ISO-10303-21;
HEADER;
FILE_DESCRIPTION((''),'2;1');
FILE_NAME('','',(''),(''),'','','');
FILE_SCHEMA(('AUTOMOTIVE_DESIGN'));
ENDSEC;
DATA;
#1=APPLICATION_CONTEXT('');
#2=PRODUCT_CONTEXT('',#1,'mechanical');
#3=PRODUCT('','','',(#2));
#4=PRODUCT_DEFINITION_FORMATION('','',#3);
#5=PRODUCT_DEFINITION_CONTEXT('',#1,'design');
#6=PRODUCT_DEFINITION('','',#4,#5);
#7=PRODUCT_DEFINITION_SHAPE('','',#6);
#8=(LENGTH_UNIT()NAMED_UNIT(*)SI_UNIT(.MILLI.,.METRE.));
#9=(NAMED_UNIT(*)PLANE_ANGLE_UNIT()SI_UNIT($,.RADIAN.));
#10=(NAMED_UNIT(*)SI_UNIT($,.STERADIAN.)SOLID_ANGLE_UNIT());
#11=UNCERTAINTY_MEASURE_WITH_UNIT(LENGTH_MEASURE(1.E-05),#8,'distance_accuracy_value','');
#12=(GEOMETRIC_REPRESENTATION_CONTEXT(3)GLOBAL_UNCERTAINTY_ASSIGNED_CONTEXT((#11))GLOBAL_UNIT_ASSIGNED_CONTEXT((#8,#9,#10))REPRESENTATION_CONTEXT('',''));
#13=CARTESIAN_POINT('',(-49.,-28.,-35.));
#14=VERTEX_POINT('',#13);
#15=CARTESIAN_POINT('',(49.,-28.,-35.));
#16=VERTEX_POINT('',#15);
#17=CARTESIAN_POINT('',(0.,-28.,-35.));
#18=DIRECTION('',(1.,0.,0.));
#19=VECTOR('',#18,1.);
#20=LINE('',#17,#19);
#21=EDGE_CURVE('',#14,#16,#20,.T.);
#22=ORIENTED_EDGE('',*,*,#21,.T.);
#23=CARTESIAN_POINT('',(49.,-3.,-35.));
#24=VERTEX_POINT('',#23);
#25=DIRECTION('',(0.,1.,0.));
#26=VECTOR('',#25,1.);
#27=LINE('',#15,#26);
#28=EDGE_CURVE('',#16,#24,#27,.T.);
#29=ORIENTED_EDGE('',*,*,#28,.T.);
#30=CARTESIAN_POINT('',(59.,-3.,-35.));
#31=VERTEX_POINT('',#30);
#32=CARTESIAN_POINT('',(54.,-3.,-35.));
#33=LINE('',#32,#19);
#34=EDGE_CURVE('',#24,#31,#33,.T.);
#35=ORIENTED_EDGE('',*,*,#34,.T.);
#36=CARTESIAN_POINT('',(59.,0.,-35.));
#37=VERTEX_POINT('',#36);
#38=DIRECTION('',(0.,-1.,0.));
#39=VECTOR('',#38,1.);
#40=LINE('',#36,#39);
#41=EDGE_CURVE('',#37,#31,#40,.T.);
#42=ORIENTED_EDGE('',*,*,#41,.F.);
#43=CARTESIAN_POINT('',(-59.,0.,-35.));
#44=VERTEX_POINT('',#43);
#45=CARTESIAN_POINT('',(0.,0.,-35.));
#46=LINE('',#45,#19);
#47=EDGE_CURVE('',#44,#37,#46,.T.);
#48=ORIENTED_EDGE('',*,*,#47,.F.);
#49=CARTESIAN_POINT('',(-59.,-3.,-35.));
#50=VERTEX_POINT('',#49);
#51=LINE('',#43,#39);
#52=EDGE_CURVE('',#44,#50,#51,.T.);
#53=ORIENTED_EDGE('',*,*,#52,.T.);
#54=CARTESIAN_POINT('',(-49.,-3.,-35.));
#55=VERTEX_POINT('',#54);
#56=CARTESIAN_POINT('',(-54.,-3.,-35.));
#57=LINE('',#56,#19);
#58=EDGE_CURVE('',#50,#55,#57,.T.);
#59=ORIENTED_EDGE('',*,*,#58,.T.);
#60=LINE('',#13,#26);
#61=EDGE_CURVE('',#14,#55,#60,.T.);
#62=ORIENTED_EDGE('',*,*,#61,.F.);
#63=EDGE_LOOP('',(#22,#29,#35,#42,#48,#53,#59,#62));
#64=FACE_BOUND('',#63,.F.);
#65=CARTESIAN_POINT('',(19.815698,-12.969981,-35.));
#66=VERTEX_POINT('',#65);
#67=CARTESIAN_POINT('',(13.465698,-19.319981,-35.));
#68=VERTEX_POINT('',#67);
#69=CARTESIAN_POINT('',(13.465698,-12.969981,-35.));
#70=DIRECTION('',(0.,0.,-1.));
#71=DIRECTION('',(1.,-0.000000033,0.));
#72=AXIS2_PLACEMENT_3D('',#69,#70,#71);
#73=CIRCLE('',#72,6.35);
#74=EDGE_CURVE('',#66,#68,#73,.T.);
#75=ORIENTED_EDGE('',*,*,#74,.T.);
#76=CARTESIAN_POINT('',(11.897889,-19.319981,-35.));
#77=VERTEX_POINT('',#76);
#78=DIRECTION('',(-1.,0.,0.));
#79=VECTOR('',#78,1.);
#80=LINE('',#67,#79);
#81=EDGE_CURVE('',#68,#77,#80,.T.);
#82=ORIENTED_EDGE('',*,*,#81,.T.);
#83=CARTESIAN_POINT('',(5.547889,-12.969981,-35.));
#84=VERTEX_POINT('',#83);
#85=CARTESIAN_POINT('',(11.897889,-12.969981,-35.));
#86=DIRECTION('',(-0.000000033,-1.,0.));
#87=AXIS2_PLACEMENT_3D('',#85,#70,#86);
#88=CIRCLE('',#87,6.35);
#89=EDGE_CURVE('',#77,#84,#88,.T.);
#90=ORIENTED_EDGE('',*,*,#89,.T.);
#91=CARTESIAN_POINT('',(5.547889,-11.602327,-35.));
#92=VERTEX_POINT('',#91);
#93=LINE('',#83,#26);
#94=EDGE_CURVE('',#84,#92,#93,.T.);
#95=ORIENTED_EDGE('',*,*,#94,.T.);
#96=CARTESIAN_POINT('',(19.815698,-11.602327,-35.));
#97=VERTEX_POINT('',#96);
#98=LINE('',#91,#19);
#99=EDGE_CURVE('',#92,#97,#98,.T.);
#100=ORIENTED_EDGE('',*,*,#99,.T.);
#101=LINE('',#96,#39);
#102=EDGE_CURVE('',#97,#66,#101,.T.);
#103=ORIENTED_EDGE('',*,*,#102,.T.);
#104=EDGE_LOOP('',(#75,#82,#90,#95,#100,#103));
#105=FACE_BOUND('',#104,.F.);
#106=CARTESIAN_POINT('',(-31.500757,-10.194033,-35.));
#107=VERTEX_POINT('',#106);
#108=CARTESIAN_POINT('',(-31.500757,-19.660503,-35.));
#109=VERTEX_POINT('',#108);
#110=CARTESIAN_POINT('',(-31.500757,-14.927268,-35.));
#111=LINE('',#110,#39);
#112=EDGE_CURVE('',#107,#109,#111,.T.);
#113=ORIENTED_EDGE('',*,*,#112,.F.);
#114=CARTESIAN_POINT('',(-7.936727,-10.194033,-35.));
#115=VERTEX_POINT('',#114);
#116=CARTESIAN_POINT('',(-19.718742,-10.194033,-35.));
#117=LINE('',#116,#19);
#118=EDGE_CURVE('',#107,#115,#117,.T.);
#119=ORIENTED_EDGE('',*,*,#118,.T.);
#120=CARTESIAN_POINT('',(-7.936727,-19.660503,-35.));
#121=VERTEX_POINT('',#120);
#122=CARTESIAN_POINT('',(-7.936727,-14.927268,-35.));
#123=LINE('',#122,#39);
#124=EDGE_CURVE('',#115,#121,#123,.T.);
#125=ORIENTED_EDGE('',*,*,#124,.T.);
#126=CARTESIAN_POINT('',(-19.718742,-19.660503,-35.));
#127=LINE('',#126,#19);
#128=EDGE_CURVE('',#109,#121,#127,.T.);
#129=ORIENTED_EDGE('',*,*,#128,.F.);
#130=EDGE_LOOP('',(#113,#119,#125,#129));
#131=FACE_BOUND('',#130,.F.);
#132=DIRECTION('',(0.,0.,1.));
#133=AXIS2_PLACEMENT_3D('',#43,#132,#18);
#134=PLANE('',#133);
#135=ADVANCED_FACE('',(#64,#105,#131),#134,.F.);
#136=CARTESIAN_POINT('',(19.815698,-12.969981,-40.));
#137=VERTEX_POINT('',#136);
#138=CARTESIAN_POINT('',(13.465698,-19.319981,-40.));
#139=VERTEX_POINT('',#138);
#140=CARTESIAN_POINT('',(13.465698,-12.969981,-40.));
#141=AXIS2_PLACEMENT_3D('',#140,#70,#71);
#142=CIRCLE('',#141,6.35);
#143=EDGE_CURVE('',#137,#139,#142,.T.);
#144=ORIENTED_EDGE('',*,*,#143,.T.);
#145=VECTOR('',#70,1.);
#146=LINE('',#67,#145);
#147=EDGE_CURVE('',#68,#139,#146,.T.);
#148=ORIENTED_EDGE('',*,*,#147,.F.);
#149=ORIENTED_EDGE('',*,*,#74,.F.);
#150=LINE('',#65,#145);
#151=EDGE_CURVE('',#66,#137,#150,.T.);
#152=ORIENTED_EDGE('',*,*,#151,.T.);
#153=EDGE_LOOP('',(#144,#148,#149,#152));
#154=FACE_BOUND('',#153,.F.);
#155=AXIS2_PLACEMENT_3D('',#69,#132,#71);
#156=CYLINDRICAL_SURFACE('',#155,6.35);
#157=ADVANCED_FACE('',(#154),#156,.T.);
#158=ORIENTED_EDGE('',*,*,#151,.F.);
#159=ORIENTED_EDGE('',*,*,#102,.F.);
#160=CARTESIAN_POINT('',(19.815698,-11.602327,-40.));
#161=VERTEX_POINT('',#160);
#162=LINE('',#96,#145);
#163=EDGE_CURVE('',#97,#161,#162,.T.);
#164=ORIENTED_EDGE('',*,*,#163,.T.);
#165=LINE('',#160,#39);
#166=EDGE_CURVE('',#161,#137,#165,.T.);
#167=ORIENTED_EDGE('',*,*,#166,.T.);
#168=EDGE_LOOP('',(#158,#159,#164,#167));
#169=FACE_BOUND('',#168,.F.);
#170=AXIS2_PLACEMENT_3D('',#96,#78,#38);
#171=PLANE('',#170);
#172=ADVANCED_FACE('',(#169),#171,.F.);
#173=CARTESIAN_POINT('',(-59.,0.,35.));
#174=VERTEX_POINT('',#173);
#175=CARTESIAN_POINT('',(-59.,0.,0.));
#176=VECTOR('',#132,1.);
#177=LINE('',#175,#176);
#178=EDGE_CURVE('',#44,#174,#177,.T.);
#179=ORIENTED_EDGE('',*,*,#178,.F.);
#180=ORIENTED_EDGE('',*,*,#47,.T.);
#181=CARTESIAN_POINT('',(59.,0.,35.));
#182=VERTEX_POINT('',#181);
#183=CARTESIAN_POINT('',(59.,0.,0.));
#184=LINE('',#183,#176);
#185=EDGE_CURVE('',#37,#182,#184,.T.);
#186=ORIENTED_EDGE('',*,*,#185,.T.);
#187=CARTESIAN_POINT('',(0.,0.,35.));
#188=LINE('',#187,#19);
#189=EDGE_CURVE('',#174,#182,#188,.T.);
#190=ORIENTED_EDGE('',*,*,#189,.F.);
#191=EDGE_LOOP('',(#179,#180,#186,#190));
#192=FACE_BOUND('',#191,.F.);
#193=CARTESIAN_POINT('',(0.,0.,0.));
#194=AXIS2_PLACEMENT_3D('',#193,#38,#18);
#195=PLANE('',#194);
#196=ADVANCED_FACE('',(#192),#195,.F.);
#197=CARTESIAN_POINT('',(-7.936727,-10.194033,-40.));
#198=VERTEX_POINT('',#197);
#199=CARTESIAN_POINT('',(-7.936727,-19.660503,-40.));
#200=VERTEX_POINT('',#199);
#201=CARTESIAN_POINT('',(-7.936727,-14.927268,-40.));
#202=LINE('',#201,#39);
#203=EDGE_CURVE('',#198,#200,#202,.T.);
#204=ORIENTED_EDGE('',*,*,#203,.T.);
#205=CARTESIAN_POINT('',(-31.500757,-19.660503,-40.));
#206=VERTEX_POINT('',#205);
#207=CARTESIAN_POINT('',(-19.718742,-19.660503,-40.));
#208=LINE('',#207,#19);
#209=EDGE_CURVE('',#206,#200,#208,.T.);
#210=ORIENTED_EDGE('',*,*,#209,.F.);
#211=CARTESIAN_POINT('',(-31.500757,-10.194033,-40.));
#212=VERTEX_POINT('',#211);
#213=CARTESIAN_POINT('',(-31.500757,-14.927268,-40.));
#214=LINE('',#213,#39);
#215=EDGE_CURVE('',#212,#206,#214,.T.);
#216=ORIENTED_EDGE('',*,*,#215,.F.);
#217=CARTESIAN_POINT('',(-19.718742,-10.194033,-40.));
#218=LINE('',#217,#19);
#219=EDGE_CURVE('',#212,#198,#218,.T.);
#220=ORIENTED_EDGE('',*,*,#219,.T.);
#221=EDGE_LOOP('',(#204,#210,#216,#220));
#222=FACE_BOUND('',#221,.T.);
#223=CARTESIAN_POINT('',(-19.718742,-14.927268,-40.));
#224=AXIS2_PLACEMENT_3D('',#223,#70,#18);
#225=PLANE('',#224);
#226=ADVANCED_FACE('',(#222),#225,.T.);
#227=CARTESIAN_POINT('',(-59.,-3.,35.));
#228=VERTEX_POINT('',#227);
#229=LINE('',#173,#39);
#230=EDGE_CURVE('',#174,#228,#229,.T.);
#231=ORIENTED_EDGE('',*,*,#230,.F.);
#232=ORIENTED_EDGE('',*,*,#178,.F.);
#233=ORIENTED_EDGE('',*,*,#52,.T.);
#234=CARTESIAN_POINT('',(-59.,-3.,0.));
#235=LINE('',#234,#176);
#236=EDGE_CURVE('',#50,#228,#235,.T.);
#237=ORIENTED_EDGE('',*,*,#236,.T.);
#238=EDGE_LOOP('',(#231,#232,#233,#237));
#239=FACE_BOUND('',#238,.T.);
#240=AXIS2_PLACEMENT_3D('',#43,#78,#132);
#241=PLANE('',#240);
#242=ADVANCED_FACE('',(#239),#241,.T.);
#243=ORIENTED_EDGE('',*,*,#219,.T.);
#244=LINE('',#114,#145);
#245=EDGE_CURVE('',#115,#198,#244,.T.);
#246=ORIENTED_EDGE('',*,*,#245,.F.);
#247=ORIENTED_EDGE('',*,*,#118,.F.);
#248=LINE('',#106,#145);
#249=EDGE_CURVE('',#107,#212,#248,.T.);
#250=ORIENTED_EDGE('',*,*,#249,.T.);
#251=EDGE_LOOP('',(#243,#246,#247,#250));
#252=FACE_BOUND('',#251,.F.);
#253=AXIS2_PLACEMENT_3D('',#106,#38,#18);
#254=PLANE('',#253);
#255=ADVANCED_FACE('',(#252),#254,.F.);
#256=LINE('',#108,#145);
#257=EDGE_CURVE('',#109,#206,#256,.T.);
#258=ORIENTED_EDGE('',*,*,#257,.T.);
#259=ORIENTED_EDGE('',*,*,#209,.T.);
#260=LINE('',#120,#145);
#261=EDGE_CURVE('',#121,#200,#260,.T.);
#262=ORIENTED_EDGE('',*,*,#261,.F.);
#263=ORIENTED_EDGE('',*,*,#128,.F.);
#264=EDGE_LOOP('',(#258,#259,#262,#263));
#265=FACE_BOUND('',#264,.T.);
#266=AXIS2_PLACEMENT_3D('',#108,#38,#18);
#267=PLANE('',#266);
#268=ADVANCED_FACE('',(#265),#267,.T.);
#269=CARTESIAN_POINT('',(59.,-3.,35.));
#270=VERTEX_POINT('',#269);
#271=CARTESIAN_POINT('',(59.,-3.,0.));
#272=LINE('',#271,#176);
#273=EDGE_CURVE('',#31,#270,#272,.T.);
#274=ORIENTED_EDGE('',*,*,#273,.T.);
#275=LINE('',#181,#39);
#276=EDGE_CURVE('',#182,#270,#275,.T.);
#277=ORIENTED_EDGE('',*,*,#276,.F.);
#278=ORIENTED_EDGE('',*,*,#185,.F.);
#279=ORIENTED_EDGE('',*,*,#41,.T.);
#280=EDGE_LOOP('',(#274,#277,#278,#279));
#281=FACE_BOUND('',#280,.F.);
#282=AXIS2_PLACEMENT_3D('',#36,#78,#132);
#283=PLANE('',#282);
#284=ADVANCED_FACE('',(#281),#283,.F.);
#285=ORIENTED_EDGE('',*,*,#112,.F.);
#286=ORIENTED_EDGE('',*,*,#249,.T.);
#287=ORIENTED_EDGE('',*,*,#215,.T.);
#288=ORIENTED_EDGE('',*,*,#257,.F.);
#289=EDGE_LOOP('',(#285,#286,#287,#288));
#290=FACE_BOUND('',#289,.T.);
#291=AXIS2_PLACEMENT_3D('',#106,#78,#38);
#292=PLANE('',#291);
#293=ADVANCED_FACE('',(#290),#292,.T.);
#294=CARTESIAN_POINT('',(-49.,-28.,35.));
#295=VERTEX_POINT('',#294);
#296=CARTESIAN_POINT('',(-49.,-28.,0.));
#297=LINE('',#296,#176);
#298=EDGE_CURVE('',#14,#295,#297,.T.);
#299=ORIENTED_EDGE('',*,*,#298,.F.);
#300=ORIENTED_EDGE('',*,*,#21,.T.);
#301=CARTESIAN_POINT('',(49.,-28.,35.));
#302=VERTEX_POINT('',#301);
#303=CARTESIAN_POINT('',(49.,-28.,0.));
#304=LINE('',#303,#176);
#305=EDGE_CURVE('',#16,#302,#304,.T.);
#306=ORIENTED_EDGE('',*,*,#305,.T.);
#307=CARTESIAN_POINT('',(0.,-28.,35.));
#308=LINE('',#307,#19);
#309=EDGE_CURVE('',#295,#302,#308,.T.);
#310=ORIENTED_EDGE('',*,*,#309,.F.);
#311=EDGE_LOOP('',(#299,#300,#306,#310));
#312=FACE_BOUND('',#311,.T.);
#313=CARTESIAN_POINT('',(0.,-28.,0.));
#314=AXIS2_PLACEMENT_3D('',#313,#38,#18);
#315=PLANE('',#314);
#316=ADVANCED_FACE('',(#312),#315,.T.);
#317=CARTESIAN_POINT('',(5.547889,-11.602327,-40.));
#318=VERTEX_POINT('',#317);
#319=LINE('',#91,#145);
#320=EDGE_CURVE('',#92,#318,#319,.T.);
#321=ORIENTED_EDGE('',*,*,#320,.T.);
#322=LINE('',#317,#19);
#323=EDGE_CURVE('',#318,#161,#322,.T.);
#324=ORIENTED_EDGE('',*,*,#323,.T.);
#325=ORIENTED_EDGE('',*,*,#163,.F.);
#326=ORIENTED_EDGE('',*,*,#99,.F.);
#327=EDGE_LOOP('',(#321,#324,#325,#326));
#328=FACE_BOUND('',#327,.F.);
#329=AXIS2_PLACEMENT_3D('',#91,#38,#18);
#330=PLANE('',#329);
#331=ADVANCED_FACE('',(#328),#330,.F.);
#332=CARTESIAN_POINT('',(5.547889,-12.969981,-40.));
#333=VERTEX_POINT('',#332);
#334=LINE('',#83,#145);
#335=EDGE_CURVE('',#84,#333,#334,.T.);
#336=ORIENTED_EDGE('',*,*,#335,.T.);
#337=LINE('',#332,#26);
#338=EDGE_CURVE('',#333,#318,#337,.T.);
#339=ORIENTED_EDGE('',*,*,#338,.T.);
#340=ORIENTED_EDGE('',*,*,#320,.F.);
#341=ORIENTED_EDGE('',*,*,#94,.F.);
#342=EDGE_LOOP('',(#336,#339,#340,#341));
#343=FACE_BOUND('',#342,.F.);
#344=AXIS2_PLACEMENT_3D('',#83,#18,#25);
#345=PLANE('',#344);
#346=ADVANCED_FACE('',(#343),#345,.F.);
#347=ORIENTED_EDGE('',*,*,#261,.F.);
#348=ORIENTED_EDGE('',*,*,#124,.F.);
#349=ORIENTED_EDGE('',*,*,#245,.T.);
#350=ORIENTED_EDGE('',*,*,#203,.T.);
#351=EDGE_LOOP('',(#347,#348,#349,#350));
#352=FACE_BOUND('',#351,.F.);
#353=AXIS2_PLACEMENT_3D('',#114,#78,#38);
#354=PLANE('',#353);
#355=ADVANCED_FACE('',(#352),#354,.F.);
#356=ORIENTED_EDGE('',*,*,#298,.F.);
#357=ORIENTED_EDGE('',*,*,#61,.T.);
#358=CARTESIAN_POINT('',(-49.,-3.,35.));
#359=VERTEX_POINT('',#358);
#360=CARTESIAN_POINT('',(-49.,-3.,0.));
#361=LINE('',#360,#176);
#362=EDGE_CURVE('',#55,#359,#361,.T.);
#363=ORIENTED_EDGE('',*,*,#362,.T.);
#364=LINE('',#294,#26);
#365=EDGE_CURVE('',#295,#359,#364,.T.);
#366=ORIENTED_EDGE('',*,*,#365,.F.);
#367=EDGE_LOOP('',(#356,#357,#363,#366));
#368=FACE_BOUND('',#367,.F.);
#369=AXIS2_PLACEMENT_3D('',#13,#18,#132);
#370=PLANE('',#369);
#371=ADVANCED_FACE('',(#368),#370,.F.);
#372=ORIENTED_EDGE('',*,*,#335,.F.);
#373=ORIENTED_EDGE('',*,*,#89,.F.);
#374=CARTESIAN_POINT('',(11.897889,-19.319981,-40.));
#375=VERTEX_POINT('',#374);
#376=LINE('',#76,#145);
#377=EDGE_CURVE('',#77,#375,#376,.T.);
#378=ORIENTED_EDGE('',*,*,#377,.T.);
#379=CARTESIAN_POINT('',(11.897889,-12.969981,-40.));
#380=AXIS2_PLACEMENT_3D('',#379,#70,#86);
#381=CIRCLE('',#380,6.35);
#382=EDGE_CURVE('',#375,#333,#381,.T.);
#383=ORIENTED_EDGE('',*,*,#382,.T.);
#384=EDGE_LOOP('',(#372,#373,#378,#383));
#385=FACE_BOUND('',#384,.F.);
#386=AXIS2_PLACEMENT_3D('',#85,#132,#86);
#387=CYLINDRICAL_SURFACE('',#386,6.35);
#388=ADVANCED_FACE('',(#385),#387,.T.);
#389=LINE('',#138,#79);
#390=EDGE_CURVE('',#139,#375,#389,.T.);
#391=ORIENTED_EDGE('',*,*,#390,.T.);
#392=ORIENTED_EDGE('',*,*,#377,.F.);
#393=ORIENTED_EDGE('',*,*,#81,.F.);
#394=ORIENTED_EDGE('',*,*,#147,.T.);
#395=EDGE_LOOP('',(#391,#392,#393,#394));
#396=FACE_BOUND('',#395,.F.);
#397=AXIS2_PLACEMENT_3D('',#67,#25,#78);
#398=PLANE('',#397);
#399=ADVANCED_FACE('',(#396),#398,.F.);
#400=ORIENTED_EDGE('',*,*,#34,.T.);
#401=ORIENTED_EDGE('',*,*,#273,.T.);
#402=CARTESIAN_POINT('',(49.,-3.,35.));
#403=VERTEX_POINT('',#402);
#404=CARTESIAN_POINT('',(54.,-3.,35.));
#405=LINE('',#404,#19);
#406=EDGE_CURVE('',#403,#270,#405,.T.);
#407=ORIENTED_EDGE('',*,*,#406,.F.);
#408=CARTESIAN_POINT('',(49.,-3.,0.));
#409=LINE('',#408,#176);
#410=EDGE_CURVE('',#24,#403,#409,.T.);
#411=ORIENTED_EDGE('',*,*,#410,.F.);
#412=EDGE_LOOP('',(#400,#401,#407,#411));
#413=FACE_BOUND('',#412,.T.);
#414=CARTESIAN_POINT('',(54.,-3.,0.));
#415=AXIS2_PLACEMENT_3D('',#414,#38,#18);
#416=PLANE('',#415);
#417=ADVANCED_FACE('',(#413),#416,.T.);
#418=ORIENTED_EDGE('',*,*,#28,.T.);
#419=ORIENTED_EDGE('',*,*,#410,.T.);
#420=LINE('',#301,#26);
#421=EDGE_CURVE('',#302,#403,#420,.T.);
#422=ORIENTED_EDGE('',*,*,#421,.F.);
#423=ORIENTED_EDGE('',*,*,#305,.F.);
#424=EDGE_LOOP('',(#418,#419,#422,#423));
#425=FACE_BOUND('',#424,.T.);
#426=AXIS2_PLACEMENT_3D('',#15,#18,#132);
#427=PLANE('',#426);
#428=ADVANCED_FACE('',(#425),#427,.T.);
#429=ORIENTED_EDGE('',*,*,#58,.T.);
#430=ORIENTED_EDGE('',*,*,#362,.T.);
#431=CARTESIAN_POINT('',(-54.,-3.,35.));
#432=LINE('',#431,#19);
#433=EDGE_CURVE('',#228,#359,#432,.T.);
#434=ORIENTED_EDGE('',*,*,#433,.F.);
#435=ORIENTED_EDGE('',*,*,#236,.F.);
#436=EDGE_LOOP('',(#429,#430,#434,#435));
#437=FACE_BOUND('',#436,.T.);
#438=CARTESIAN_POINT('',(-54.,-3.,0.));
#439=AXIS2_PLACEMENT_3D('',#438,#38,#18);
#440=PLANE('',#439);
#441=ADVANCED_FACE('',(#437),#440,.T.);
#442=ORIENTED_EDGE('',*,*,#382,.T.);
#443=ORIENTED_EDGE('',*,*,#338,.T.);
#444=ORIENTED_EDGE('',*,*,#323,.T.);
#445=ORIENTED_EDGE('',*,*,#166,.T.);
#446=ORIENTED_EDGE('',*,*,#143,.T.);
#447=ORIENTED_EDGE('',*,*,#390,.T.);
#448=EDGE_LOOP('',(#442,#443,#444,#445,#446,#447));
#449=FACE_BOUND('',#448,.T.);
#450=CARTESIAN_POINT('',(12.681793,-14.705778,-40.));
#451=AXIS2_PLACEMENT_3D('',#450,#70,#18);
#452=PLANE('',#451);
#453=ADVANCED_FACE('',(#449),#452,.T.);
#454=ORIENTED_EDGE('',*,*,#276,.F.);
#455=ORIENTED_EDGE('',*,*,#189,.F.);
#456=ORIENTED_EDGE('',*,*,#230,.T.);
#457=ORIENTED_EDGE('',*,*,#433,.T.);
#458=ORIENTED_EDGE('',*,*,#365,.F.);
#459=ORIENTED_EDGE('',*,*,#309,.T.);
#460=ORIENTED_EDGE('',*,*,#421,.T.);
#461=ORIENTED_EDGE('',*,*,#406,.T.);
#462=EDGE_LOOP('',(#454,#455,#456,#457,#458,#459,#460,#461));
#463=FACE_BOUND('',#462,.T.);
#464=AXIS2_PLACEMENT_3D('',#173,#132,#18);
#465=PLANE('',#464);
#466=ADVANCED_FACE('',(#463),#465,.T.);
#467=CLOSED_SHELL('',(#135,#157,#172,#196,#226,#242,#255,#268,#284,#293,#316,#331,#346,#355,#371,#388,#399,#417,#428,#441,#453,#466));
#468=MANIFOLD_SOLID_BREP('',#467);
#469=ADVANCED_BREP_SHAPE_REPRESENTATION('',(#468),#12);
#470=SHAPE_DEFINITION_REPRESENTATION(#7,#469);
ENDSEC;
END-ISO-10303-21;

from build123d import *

# Parameters (mm, degrees)
F0_W     = 118
F0_H     = 70
F1_DEPTH = 28
F2_W     = 10
F2_H     = 70
F3_DEPTH = 25
F4_W     = 23.56403
F4_H     = 9.46647
F5_DEPTH = 5


with BuildPart() as f1:
    # F0 (on Front) → F1 (new body)
    with BuildSketch(Plane.XZ):
        Rectangle(F0_W, F0_H)
    extrude(amount=F1_DEPTH)

    # F2 (on face) → F3 (cut)
    with BuildSketch(Plane.XZ.offset(28)):
        with Locations((54, 0)):
            Rectangle(F2_W, F2_H)
        with Locations((-54, 0)):
            Rectangle(F2_W, F2_H)
    extrude(amount=-F3_DEPTH, mode=Mode.SUBTRACT)

    # F4 (on face) → F5 (join)
    with BuildSketch(Plane(origin=(0, 0, -35), x_dir=(1, 0, 0), z_dir=(0, 0, -1))):
        with BuildLine():
            Line((13.465698, 19.319981), (11.897889, 19.319981))
            ThreePointArc((11.897889, 19.319981), (7.407761, 17.460109), (5.547889, 12.969981))
            Line((5.547889, 12.969981), (5.547889, 11.602327))
            Line((5.547889, 11.602327), (19.815698, 11.602327))
            Line((19.815698, 11.602327), (19.815698, 12.969981))
            ThreePointArc((19.815698, 12.969981), (17.955826, 17.460109), (13.465698, 19.319981))
        make_face()
        with Locations((-19.718742, 14.927268)):
            Rectangle(F4_W, F4_H)
    extrude(amount=F5_DEPTH)


solid = f1.part
